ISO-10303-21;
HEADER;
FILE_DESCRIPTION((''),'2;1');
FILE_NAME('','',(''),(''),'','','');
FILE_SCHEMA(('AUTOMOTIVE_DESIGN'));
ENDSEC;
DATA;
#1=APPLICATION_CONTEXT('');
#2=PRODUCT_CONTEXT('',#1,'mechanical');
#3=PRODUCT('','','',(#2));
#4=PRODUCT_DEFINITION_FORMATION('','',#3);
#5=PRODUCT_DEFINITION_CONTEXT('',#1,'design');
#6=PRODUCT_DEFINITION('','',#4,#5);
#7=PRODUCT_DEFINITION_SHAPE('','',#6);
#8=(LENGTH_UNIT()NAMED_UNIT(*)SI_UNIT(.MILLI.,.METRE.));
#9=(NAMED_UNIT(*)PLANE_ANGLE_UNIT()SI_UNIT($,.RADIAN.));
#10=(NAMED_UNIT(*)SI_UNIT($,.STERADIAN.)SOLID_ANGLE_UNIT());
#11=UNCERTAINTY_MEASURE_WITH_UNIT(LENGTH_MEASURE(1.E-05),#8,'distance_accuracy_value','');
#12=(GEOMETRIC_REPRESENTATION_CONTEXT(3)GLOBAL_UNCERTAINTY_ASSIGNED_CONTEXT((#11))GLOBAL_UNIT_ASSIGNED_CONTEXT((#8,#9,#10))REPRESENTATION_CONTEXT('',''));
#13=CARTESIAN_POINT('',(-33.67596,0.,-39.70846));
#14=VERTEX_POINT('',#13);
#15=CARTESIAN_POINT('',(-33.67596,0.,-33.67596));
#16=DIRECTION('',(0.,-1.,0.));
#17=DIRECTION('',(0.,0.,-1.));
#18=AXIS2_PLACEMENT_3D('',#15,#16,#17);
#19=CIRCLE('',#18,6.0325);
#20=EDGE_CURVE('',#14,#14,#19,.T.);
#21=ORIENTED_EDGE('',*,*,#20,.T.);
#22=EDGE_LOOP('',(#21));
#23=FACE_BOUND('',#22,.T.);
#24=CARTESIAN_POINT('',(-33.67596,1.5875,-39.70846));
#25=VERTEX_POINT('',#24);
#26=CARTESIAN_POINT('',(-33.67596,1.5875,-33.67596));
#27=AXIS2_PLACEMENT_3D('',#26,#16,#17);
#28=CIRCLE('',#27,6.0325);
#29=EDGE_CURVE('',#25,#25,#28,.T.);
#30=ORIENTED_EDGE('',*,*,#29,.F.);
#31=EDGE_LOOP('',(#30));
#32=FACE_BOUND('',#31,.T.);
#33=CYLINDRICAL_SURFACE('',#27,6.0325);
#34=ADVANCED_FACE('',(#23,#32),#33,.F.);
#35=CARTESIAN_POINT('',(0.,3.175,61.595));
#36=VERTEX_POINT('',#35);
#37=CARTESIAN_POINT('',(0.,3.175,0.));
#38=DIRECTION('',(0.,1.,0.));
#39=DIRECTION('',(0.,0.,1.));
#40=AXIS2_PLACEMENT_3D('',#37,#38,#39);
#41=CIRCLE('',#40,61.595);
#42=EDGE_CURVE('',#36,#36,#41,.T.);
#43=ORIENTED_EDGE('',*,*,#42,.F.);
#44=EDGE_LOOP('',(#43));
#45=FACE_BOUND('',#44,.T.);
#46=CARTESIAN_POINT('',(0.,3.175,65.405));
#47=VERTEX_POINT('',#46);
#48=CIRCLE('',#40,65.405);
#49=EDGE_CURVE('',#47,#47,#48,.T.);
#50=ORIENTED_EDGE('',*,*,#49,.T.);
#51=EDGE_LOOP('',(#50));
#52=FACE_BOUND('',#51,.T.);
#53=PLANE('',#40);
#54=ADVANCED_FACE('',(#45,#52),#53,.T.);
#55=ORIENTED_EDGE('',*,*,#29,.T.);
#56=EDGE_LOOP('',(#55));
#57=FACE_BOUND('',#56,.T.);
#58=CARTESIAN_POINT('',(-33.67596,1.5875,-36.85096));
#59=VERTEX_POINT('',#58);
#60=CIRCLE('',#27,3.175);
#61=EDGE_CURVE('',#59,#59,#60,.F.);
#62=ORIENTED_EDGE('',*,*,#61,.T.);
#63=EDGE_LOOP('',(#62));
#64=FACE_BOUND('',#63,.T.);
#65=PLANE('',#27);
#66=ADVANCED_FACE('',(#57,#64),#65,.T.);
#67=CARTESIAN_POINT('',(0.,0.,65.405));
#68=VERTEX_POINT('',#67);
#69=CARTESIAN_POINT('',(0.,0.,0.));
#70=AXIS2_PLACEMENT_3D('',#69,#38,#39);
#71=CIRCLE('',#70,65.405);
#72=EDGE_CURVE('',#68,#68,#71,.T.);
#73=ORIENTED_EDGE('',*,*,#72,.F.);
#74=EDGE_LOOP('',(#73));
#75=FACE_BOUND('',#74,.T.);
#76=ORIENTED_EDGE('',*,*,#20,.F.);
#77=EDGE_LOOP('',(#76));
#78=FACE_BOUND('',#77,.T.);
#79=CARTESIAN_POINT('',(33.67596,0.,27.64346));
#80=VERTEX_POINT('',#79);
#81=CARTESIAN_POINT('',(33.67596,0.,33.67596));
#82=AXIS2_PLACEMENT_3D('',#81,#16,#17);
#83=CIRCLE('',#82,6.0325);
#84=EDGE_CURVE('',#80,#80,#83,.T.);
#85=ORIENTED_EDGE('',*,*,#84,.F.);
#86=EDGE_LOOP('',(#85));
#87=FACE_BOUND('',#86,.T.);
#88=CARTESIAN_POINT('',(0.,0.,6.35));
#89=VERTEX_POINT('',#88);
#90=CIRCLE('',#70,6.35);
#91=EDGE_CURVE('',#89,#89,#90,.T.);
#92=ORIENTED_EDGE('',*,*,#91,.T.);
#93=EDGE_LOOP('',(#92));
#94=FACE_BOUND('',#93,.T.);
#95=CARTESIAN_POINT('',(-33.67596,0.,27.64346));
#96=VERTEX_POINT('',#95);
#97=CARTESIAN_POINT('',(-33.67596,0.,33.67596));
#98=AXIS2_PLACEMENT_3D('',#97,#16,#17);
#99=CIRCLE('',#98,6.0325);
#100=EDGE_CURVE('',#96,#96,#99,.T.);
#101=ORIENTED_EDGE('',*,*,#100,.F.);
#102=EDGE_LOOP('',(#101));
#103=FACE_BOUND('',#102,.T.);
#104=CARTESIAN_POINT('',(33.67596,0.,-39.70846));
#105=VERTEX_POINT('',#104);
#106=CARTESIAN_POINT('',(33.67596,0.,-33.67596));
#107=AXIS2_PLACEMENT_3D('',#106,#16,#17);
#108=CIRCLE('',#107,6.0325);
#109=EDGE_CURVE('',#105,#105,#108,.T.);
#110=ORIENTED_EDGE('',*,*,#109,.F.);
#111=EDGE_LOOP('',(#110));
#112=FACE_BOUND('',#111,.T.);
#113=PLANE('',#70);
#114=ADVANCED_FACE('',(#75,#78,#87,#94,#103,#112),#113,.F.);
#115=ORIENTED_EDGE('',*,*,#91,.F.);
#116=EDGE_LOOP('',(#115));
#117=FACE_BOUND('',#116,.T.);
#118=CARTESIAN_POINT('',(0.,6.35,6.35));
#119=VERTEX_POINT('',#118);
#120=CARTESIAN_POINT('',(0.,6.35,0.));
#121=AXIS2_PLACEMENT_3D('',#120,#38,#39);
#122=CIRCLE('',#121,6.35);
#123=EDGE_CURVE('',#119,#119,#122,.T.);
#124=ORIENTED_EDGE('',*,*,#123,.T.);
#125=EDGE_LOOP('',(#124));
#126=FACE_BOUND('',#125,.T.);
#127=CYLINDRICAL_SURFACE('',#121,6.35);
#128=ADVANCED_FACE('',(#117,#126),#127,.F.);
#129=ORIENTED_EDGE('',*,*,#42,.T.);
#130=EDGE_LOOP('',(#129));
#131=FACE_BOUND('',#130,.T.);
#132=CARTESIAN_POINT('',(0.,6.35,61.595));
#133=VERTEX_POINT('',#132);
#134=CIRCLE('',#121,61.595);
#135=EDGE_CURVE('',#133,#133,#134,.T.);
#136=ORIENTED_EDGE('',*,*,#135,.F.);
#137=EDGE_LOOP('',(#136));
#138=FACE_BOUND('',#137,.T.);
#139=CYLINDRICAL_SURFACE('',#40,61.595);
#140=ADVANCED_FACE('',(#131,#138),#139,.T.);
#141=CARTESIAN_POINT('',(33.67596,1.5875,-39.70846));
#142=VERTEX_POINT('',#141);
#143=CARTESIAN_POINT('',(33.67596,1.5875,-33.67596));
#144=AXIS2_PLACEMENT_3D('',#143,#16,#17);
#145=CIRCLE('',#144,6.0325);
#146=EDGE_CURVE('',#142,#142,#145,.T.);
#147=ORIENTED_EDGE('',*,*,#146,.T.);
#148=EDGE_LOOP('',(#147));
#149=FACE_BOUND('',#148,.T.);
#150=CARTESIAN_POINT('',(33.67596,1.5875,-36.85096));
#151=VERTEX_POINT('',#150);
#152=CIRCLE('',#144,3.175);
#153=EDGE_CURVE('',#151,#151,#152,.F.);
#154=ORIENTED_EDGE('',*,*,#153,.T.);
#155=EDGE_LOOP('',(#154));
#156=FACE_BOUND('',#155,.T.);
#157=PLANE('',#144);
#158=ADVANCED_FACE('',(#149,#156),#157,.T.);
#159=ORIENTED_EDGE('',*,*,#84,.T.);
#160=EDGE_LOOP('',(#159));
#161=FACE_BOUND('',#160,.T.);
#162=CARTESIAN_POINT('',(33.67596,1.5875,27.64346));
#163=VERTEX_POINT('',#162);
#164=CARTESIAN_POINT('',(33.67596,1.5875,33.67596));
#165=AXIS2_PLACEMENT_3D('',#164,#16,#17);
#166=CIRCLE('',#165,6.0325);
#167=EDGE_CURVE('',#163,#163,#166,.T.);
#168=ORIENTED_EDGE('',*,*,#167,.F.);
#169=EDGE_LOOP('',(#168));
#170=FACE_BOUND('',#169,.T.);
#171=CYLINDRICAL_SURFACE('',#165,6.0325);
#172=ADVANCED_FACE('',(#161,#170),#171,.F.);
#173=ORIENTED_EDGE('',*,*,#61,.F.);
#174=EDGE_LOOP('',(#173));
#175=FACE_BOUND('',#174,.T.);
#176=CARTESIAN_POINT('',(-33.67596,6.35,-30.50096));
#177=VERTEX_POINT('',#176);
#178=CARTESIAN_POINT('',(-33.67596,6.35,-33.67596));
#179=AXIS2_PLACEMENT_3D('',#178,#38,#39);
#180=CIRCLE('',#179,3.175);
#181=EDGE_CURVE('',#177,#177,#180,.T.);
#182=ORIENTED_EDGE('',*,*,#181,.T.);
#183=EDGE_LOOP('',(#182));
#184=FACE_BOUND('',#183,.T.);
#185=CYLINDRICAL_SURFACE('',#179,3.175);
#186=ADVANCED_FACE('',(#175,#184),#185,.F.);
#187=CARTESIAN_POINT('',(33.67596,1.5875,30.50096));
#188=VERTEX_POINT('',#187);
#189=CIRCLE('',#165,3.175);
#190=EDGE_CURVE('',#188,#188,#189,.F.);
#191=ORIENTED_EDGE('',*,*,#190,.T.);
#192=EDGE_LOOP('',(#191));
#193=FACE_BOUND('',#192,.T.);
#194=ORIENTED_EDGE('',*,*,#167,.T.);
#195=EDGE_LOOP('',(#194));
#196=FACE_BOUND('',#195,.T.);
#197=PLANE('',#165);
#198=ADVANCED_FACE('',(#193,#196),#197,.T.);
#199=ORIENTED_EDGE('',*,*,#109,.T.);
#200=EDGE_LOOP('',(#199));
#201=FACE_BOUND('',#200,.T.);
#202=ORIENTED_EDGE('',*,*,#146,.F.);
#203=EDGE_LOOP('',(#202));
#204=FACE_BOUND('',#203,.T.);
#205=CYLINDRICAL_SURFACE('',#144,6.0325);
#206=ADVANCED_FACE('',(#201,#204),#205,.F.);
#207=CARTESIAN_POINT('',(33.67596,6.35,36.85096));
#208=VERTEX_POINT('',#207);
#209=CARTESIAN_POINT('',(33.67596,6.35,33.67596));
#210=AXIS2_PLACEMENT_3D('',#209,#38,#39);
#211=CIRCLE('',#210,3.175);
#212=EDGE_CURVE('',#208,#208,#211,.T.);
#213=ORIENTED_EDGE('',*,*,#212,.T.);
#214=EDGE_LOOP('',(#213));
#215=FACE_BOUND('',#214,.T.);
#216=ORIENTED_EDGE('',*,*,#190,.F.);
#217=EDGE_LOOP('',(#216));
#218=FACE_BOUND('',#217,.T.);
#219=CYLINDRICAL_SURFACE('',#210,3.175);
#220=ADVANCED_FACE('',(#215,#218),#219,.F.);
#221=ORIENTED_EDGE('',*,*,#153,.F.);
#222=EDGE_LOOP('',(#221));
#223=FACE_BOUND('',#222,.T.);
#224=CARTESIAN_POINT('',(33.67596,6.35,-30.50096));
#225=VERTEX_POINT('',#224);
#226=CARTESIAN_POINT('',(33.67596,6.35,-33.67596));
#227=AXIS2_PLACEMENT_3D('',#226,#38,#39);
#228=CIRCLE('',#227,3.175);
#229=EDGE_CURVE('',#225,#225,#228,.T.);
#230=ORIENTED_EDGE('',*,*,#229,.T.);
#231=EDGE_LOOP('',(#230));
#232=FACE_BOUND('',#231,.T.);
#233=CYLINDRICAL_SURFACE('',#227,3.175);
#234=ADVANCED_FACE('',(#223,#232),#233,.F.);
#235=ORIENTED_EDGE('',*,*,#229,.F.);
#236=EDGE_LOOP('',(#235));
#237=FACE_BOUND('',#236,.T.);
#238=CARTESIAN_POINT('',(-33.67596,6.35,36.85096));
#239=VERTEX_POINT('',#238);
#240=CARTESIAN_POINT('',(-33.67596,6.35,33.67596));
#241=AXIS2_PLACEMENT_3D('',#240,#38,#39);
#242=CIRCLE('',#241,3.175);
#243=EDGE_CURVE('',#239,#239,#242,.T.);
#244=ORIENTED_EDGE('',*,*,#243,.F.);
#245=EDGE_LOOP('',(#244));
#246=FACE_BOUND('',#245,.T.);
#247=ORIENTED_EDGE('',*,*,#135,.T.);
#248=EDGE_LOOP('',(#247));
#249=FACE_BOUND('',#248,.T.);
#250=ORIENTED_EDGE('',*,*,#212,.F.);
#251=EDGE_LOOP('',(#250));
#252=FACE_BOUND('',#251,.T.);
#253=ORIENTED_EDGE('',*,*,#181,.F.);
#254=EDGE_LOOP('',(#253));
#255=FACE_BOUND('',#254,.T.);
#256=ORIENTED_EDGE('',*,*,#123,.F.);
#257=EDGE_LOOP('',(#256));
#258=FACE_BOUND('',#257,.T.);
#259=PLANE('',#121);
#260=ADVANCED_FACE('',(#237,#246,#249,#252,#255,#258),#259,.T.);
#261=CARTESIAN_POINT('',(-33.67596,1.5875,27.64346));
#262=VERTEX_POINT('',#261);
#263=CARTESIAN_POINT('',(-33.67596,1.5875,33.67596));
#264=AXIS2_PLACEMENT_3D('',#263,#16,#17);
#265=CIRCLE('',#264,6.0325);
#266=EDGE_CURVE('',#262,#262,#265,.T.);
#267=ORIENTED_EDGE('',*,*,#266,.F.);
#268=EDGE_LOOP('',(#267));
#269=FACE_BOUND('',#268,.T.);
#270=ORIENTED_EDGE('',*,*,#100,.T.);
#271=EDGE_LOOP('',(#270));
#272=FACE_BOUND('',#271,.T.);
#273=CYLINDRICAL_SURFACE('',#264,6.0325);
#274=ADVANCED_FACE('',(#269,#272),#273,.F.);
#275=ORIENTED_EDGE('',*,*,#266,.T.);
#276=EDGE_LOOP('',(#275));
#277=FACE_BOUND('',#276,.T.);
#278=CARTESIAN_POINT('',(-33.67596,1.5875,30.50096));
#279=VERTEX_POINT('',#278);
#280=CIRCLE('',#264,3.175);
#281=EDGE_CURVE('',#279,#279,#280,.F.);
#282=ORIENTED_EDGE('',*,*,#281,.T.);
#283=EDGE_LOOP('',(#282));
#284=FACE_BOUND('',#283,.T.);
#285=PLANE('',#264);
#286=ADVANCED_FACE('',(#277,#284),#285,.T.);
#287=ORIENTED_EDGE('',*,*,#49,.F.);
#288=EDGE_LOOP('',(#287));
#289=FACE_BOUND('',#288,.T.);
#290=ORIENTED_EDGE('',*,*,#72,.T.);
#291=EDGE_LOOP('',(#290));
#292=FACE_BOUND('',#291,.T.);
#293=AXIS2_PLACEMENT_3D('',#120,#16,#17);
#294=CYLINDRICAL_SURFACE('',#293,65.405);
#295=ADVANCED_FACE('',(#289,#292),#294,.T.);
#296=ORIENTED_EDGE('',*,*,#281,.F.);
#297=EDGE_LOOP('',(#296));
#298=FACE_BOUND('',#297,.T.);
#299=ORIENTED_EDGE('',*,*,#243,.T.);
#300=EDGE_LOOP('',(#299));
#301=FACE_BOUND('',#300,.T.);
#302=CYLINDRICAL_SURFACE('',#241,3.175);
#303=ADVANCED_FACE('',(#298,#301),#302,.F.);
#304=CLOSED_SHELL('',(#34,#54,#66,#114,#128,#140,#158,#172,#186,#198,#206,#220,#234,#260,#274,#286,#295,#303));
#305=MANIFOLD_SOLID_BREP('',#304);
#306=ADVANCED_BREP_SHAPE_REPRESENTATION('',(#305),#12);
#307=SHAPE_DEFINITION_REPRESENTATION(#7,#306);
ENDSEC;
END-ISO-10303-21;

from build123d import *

# Parameters (mm, degrees)
SKETCH2_R                   = 65.405
BOSS_EXTRUDE1_DEPTH         = 6.35
SKETCH4_R                   = 65.405
SKETCH4_R_2                 = 61.595
CUT_EXTRUDE1_DEPTH          = 3.175
F_1_4_0_25_DIAMETER_HOLE1_D = 6.35
F_1_2_0_5_DIAMETER_HOLE1_D  = 12.7
SKETCH9_R                   = 6.0325
CUT_EXTRUDE2_DEPTH          = 1.5875


with BuildPart() as part:
    # Sketch2 → Boss-Extrude1 (new body)
    with BuildSketch(Plane(origin=(0, 0, 0), x_dir=(1, 0, 0), z_dir=(0, 1, 0))):
        Circle(SKETCH2_R)
    extrude(amount=BOSS_EXTRUDE1_DEPTH)

    # Sketch4 → Cut-Extrude1 (cut)
    with BuildSketch(Plane(origin=(0, 6.35, 0), x_dir=(1, 0, 0), z_dir=(0, 1, 0))):
        Circle(SKETCH4_R)
        Circle(SKETCH4_R_2, mode=Mode.SUBTRACT)
    extrude(amount=-CUT_EXTRUDE1_DEPTH, mode=Mode.SUBTRACT)

    # 1/4 (0.25) Diameter Hole1 (through all)
    with Locations(Plane(origin=(0, 6.35, 0), x_dir=(1, 0, 0), z_dir=(0, 1, 0))):
        with Locations((-33.675960454, 33.675960454), (-33.675960454, -33.675960454), (33.675960454, 33.675960454), (33.675960454, -33.675960454)):
            Hole(F_1_4_0_25_DIAMETER_HOLE1_D / 2)

    # 1/2 (0.5) Diameter Hole1 (through all)
    with Locations(Plane(origin=(0, 6.35, 0), x_dir=(1, 0, 0), z_dir=(0, 1, 0))):
        with Locations((0, 0)):
            Hole(F_1_2_0_5_DIAMETER_HOLE1_D / 2)

    # Sketch9 → Cut-Extrude2 (cut)
    with BuildSketch(Plane.XZ):
        with Locations((-33.675960454, 33.675960454)):
            Circle(SKETCH9_R)
        with Locations((33.675960454, 33.675960454)):
            Circle(SKETCH9_R)
        with Locations((33.675960454, -33.675960454)):
            Circle(SKETCH9_R)
        with Locations((-33.675960454, -33.675960454)):
            Circle(SKETCH9_R)
    extrude(amount=-CUT_EXTRUDE2_DEPTH, mode=Mode.SUBTRACT)


solid = part.part
